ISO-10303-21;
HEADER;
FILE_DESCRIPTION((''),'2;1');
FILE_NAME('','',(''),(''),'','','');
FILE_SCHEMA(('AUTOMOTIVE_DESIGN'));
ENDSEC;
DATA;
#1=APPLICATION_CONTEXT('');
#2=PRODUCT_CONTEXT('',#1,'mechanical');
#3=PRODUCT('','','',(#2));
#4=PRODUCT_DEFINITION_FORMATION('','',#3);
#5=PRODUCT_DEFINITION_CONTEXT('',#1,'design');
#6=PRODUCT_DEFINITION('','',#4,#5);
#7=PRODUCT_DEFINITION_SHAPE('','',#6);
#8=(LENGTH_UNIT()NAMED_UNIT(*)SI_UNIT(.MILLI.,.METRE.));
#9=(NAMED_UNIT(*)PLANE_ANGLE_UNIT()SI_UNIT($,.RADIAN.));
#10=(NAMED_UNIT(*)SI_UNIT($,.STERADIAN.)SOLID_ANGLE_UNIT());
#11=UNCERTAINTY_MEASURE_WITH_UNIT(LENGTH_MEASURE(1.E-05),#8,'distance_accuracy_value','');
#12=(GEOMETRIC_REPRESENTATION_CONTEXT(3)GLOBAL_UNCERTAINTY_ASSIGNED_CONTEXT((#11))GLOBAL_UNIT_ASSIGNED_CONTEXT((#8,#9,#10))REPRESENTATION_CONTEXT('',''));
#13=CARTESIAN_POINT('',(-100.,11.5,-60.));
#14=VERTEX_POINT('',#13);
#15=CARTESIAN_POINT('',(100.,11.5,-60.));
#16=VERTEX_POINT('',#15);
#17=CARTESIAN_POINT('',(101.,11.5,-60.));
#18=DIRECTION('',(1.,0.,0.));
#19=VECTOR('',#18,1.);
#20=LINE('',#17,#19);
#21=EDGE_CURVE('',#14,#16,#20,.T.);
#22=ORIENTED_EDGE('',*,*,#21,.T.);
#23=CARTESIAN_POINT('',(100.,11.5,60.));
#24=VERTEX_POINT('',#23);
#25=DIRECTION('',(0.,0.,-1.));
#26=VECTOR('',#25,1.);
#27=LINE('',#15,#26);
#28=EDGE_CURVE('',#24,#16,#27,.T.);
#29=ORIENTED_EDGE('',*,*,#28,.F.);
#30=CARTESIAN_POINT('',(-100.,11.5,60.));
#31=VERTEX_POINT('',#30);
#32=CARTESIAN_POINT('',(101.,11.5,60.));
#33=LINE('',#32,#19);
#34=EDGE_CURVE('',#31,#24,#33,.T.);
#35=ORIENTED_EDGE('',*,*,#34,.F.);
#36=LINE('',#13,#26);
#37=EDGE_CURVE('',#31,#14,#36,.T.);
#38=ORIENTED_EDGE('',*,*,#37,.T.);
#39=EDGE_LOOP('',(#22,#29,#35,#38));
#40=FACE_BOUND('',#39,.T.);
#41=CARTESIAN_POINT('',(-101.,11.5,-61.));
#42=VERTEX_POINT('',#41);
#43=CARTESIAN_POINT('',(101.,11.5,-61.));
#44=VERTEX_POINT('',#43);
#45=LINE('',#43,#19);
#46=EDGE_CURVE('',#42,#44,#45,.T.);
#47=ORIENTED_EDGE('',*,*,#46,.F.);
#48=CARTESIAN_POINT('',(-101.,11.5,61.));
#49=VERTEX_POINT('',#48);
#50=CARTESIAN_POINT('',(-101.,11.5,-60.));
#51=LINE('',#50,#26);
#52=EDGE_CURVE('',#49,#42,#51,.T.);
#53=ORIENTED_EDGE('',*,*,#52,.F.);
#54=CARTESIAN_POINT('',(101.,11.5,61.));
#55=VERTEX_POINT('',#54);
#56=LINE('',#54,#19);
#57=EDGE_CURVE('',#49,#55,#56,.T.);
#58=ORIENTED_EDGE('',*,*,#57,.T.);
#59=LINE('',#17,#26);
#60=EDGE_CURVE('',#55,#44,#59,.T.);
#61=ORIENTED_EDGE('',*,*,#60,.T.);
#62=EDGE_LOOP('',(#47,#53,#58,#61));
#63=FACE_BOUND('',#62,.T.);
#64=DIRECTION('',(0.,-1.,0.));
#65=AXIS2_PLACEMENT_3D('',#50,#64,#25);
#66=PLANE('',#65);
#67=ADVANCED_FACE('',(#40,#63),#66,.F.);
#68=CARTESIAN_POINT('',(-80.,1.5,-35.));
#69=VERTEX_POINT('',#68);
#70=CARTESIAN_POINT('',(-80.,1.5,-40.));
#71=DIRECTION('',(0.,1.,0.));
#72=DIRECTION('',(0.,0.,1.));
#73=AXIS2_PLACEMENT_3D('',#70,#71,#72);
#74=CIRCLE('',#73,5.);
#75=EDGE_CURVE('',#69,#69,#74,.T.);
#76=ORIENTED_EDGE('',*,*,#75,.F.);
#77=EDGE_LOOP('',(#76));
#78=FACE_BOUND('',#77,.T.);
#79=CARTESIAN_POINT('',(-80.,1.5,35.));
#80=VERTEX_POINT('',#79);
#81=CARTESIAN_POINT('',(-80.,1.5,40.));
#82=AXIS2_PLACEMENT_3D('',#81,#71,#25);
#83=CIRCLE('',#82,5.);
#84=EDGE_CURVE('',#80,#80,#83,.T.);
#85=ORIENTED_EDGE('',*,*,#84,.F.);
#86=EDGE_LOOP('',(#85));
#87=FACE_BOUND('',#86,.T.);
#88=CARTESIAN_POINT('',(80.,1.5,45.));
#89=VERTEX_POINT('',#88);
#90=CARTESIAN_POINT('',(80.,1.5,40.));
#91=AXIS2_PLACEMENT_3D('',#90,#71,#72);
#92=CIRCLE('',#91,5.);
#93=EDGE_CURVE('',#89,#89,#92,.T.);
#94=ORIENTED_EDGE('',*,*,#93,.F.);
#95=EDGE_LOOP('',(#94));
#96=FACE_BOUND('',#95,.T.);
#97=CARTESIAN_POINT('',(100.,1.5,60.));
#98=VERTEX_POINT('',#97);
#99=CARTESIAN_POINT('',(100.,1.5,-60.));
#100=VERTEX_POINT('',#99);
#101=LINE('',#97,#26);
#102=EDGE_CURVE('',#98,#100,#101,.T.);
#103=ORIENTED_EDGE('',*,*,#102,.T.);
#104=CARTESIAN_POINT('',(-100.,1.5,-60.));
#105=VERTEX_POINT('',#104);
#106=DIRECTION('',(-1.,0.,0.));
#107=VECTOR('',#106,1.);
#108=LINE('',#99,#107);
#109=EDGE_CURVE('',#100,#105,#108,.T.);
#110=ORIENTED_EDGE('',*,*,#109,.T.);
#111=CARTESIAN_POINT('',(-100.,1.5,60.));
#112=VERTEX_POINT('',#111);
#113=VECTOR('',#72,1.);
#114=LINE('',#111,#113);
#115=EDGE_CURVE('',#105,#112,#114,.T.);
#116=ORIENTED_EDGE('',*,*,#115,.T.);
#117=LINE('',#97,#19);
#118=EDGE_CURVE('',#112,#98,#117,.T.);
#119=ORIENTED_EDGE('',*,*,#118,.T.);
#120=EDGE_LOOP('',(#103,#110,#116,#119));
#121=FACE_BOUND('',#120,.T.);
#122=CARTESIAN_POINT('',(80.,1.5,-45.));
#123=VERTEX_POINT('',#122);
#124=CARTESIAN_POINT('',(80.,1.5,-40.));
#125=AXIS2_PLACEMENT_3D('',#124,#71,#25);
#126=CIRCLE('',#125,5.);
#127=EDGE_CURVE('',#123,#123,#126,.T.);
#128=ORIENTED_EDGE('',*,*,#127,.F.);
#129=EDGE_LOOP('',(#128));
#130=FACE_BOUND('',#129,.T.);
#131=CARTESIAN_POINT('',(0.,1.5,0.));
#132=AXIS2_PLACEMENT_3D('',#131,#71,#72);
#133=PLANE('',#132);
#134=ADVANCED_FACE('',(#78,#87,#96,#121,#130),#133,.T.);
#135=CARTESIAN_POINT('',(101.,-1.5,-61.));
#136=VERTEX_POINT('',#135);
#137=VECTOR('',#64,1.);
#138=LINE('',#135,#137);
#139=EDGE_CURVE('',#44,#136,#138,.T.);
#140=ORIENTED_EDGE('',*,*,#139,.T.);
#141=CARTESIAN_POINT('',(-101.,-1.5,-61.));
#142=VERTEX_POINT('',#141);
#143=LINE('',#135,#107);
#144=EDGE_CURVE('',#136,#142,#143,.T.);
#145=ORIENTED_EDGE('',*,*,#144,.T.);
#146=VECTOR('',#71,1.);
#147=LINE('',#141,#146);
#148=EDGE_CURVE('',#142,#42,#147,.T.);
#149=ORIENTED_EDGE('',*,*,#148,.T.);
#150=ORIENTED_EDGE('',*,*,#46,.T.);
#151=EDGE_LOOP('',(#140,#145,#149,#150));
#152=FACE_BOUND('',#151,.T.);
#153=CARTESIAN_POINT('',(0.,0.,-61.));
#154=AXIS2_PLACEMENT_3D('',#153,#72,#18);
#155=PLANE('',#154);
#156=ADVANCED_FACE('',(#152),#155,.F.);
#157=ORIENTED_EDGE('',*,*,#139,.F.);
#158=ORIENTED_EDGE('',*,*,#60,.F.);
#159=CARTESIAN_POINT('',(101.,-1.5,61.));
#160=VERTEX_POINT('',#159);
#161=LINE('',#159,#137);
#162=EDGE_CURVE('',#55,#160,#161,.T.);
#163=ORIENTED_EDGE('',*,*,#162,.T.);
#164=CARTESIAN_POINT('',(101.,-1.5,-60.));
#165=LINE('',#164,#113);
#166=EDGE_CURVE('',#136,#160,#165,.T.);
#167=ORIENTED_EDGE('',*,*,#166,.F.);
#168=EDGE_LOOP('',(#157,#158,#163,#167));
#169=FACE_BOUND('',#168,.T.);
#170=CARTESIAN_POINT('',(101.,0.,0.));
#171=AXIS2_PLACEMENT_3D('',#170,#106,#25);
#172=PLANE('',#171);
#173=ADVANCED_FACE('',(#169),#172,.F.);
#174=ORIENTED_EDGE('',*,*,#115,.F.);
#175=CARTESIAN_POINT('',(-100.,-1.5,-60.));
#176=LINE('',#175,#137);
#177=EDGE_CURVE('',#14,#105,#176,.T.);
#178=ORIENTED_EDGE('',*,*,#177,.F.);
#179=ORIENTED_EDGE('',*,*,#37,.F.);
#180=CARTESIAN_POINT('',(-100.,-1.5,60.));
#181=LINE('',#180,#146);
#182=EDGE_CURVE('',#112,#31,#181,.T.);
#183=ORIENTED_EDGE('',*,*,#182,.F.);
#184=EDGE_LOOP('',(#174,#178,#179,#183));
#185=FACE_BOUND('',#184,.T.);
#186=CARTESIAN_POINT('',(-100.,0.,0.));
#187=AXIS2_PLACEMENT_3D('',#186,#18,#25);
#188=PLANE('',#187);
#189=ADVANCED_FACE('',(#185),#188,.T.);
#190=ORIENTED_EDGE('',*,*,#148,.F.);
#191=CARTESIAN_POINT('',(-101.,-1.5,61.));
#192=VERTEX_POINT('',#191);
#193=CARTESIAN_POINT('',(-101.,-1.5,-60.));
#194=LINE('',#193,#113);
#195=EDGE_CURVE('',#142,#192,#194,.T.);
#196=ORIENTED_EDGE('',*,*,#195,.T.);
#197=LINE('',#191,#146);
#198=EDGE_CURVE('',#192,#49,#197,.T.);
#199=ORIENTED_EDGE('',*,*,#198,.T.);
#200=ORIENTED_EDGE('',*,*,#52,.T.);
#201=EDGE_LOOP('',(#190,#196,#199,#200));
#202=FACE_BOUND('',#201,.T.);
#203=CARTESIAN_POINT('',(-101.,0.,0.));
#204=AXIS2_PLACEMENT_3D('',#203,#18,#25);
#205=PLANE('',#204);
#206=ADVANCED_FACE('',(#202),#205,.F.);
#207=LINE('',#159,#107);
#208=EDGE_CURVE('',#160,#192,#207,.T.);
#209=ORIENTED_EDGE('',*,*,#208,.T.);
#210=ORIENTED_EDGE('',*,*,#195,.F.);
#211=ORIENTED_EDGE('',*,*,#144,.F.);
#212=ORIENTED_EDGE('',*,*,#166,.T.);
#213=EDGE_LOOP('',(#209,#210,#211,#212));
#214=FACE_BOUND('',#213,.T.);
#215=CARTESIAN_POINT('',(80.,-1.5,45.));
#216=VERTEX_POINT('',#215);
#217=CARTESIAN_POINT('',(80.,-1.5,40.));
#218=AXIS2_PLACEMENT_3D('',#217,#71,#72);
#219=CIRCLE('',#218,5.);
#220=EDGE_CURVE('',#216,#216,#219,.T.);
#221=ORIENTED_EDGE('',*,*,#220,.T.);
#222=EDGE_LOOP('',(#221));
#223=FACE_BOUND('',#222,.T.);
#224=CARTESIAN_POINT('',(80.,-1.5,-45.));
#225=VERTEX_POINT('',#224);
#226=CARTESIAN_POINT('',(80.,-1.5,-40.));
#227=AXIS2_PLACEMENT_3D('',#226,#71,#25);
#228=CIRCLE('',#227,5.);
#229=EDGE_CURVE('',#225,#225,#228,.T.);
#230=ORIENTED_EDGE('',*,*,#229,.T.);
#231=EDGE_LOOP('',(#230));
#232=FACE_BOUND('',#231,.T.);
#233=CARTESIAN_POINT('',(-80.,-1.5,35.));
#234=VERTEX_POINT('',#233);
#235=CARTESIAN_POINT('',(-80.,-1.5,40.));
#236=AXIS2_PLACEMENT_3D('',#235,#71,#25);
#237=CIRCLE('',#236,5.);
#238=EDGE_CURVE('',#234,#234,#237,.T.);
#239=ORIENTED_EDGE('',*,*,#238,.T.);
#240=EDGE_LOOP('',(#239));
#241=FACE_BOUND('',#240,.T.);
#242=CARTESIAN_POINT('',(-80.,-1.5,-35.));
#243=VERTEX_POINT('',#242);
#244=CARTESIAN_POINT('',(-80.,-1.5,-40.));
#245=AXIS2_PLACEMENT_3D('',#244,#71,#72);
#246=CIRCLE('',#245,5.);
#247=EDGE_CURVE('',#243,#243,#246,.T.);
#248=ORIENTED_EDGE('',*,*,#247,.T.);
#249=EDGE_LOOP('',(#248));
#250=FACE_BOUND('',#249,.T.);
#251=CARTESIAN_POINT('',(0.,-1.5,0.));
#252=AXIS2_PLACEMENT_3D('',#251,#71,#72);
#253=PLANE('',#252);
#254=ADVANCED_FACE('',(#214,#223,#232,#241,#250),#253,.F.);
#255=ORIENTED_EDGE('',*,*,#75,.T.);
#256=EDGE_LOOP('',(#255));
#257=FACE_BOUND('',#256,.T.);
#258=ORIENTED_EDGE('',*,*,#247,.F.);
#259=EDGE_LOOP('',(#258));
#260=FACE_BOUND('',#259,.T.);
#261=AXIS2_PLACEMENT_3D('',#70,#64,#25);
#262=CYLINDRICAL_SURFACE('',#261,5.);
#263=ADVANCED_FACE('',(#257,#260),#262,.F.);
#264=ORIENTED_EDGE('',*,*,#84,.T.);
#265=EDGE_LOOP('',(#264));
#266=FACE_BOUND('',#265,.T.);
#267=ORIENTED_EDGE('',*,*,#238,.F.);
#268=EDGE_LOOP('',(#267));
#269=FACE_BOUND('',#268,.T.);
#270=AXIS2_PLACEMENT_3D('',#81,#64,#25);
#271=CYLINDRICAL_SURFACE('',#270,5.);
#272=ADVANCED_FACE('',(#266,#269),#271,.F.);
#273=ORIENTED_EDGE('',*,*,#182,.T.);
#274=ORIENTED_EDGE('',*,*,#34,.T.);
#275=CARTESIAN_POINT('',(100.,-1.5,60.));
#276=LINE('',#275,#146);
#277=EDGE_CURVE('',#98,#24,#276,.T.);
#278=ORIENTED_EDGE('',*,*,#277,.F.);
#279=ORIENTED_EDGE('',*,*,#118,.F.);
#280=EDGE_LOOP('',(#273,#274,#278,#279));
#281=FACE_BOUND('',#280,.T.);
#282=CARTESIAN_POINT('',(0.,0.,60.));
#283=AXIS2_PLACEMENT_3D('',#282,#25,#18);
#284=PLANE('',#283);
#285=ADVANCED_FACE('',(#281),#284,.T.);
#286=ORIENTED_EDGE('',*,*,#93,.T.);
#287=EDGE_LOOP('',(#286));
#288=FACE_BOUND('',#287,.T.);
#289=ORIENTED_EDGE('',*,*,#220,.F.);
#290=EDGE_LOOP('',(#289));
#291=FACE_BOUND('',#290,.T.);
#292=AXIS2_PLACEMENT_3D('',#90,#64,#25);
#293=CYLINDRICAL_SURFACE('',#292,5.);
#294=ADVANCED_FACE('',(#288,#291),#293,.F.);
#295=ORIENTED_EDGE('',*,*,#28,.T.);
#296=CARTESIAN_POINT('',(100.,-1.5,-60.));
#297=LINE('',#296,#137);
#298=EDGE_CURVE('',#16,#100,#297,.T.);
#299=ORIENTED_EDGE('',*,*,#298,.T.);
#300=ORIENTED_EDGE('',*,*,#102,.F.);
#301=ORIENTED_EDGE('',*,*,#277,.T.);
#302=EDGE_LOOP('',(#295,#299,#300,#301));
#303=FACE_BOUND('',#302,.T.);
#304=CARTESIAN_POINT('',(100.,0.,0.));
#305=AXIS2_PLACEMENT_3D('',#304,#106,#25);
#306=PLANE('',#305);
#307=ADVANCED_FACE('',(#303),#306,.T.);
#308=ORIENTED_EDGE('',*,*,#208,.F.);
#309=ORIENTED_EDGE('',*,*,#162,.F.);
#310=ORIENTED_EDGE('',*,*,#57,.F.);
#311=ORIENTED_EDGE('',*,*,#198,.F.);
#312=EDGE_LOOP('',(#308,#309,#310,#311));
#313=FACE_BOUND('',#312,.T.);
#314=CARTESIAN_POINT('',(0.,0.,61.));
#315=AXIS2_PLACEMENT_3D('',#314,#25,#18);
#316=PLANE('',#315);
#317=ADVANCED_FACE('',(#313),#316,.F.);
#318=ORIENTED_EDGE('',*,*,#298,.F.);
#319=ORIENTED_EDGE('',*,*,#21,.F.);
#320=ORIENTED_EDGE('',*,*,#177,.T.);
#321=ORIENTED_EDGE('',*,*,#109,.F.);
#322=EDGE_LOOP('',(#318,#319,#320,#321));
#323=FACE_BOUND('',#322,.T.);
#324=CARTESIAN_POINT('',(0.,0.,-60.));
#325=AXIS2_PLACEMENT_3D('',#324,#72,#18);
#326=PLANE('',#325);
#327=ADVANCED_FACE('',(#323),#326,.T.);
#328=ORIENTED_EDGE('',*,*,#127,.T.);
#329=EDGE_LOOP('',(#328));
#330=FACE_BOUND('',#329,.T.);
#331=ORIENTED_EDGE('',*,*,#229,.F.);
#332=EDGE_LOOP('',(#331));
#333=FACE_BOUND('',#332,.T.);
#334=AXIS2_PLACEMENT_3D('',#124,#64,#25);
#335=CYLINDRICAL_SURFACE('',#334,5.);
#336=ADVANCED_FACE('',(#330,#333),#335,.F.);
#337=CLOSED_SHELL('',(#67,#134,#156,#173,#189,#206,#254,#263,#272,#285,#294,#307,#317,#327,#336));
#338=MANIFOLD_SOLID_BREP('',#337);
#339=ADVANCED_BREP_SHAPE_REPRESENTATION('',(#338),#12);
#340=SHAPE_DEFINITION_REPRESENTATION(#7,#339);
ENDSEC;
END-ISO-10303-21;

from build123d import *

# Parameters (mm, degrees)
SKETCH1_W           = 200
SKETCH1_H           = 120
SKETCH1_R           = 5
BOSS_EXTRUDE3_DEPTH = 1.5
SKETCH2_W           = 120
SKETCH2_H           = 13
BOSS_EXTRUDE4_DEPTH = 1
SKETCH3_W           = 202
SKETCH3_H           = 13
BOSS_EXTRUDE6_DEPTH = 1


with BuildPart() as part:
    # Sketch1 → Boss-Extrude3 (new, symmetric)
    with BuildSketch(Plane(origin=(0, 0, 0), x_dir=(1, 0, 0), z_dir=(0, 1, 0))):
        Rectangle(SKETCH1_W, SKETCH1_H)
        with Locations(Location((-80, 40, 0), (0, 0, 270))):
            Circle(SKETCH1_R, mode=Mode.SUBTRACT)
        with Locations(Location((80, 40, 0), (0, 0, 90))):
            Circle(SKETCH1_R, mode=Mode.SUBTRACT)
        with Locations(Location((80, -40, 0), (0, 0, 270))):
            Circle(SKETCH1_R, mode=Mode.SUBTRACT)
        with Locations(Location((-80, -40, 0), (0, 0, 90))):
            Circle(SKETCH1_R, mode=Mode.SUBTRACT)
    extrude(amount=BOSS_EXTRUDE3_DEPTH, both=True)

    # Sketch2 → Boss-Extrude4 (add)
    with BuildSketch(Plane.ZY.offset(100)):
        with Locations((0, 5)):
            Rectangle(SKETCH2_W, SKETCH2_H)
    boss_extrude4 = extrude(amount=BOSS_EXTRUDE4_DEPTH)

    # Mirror1: Boss-Extrude4 across plane
    add(boss_extrude4.mirror(Plane(origin=(0, 0, 0), x_dir=(0, 0, 1), z_dir=(1, 0, 0))))

    # Sketch3 → Boss-Extrude6 (add)
    with BuildSketch(Plane(origin=(0, 0, -60), x_dir=(-1, 0, 0), z_dir=(0, 0, -1))):
        with Locations((0, 5)):
            Rectangle(SKETCH3_W, SKETCH3_H)
    boss_extrude6 = extrude(amount=BOSS_EXTRUDE6_DEPTH)

    # Mirror2: Boss-Extrude6 across plane
    add(boss_extrude6.mirror(Plane.XY))


solid = part.part
